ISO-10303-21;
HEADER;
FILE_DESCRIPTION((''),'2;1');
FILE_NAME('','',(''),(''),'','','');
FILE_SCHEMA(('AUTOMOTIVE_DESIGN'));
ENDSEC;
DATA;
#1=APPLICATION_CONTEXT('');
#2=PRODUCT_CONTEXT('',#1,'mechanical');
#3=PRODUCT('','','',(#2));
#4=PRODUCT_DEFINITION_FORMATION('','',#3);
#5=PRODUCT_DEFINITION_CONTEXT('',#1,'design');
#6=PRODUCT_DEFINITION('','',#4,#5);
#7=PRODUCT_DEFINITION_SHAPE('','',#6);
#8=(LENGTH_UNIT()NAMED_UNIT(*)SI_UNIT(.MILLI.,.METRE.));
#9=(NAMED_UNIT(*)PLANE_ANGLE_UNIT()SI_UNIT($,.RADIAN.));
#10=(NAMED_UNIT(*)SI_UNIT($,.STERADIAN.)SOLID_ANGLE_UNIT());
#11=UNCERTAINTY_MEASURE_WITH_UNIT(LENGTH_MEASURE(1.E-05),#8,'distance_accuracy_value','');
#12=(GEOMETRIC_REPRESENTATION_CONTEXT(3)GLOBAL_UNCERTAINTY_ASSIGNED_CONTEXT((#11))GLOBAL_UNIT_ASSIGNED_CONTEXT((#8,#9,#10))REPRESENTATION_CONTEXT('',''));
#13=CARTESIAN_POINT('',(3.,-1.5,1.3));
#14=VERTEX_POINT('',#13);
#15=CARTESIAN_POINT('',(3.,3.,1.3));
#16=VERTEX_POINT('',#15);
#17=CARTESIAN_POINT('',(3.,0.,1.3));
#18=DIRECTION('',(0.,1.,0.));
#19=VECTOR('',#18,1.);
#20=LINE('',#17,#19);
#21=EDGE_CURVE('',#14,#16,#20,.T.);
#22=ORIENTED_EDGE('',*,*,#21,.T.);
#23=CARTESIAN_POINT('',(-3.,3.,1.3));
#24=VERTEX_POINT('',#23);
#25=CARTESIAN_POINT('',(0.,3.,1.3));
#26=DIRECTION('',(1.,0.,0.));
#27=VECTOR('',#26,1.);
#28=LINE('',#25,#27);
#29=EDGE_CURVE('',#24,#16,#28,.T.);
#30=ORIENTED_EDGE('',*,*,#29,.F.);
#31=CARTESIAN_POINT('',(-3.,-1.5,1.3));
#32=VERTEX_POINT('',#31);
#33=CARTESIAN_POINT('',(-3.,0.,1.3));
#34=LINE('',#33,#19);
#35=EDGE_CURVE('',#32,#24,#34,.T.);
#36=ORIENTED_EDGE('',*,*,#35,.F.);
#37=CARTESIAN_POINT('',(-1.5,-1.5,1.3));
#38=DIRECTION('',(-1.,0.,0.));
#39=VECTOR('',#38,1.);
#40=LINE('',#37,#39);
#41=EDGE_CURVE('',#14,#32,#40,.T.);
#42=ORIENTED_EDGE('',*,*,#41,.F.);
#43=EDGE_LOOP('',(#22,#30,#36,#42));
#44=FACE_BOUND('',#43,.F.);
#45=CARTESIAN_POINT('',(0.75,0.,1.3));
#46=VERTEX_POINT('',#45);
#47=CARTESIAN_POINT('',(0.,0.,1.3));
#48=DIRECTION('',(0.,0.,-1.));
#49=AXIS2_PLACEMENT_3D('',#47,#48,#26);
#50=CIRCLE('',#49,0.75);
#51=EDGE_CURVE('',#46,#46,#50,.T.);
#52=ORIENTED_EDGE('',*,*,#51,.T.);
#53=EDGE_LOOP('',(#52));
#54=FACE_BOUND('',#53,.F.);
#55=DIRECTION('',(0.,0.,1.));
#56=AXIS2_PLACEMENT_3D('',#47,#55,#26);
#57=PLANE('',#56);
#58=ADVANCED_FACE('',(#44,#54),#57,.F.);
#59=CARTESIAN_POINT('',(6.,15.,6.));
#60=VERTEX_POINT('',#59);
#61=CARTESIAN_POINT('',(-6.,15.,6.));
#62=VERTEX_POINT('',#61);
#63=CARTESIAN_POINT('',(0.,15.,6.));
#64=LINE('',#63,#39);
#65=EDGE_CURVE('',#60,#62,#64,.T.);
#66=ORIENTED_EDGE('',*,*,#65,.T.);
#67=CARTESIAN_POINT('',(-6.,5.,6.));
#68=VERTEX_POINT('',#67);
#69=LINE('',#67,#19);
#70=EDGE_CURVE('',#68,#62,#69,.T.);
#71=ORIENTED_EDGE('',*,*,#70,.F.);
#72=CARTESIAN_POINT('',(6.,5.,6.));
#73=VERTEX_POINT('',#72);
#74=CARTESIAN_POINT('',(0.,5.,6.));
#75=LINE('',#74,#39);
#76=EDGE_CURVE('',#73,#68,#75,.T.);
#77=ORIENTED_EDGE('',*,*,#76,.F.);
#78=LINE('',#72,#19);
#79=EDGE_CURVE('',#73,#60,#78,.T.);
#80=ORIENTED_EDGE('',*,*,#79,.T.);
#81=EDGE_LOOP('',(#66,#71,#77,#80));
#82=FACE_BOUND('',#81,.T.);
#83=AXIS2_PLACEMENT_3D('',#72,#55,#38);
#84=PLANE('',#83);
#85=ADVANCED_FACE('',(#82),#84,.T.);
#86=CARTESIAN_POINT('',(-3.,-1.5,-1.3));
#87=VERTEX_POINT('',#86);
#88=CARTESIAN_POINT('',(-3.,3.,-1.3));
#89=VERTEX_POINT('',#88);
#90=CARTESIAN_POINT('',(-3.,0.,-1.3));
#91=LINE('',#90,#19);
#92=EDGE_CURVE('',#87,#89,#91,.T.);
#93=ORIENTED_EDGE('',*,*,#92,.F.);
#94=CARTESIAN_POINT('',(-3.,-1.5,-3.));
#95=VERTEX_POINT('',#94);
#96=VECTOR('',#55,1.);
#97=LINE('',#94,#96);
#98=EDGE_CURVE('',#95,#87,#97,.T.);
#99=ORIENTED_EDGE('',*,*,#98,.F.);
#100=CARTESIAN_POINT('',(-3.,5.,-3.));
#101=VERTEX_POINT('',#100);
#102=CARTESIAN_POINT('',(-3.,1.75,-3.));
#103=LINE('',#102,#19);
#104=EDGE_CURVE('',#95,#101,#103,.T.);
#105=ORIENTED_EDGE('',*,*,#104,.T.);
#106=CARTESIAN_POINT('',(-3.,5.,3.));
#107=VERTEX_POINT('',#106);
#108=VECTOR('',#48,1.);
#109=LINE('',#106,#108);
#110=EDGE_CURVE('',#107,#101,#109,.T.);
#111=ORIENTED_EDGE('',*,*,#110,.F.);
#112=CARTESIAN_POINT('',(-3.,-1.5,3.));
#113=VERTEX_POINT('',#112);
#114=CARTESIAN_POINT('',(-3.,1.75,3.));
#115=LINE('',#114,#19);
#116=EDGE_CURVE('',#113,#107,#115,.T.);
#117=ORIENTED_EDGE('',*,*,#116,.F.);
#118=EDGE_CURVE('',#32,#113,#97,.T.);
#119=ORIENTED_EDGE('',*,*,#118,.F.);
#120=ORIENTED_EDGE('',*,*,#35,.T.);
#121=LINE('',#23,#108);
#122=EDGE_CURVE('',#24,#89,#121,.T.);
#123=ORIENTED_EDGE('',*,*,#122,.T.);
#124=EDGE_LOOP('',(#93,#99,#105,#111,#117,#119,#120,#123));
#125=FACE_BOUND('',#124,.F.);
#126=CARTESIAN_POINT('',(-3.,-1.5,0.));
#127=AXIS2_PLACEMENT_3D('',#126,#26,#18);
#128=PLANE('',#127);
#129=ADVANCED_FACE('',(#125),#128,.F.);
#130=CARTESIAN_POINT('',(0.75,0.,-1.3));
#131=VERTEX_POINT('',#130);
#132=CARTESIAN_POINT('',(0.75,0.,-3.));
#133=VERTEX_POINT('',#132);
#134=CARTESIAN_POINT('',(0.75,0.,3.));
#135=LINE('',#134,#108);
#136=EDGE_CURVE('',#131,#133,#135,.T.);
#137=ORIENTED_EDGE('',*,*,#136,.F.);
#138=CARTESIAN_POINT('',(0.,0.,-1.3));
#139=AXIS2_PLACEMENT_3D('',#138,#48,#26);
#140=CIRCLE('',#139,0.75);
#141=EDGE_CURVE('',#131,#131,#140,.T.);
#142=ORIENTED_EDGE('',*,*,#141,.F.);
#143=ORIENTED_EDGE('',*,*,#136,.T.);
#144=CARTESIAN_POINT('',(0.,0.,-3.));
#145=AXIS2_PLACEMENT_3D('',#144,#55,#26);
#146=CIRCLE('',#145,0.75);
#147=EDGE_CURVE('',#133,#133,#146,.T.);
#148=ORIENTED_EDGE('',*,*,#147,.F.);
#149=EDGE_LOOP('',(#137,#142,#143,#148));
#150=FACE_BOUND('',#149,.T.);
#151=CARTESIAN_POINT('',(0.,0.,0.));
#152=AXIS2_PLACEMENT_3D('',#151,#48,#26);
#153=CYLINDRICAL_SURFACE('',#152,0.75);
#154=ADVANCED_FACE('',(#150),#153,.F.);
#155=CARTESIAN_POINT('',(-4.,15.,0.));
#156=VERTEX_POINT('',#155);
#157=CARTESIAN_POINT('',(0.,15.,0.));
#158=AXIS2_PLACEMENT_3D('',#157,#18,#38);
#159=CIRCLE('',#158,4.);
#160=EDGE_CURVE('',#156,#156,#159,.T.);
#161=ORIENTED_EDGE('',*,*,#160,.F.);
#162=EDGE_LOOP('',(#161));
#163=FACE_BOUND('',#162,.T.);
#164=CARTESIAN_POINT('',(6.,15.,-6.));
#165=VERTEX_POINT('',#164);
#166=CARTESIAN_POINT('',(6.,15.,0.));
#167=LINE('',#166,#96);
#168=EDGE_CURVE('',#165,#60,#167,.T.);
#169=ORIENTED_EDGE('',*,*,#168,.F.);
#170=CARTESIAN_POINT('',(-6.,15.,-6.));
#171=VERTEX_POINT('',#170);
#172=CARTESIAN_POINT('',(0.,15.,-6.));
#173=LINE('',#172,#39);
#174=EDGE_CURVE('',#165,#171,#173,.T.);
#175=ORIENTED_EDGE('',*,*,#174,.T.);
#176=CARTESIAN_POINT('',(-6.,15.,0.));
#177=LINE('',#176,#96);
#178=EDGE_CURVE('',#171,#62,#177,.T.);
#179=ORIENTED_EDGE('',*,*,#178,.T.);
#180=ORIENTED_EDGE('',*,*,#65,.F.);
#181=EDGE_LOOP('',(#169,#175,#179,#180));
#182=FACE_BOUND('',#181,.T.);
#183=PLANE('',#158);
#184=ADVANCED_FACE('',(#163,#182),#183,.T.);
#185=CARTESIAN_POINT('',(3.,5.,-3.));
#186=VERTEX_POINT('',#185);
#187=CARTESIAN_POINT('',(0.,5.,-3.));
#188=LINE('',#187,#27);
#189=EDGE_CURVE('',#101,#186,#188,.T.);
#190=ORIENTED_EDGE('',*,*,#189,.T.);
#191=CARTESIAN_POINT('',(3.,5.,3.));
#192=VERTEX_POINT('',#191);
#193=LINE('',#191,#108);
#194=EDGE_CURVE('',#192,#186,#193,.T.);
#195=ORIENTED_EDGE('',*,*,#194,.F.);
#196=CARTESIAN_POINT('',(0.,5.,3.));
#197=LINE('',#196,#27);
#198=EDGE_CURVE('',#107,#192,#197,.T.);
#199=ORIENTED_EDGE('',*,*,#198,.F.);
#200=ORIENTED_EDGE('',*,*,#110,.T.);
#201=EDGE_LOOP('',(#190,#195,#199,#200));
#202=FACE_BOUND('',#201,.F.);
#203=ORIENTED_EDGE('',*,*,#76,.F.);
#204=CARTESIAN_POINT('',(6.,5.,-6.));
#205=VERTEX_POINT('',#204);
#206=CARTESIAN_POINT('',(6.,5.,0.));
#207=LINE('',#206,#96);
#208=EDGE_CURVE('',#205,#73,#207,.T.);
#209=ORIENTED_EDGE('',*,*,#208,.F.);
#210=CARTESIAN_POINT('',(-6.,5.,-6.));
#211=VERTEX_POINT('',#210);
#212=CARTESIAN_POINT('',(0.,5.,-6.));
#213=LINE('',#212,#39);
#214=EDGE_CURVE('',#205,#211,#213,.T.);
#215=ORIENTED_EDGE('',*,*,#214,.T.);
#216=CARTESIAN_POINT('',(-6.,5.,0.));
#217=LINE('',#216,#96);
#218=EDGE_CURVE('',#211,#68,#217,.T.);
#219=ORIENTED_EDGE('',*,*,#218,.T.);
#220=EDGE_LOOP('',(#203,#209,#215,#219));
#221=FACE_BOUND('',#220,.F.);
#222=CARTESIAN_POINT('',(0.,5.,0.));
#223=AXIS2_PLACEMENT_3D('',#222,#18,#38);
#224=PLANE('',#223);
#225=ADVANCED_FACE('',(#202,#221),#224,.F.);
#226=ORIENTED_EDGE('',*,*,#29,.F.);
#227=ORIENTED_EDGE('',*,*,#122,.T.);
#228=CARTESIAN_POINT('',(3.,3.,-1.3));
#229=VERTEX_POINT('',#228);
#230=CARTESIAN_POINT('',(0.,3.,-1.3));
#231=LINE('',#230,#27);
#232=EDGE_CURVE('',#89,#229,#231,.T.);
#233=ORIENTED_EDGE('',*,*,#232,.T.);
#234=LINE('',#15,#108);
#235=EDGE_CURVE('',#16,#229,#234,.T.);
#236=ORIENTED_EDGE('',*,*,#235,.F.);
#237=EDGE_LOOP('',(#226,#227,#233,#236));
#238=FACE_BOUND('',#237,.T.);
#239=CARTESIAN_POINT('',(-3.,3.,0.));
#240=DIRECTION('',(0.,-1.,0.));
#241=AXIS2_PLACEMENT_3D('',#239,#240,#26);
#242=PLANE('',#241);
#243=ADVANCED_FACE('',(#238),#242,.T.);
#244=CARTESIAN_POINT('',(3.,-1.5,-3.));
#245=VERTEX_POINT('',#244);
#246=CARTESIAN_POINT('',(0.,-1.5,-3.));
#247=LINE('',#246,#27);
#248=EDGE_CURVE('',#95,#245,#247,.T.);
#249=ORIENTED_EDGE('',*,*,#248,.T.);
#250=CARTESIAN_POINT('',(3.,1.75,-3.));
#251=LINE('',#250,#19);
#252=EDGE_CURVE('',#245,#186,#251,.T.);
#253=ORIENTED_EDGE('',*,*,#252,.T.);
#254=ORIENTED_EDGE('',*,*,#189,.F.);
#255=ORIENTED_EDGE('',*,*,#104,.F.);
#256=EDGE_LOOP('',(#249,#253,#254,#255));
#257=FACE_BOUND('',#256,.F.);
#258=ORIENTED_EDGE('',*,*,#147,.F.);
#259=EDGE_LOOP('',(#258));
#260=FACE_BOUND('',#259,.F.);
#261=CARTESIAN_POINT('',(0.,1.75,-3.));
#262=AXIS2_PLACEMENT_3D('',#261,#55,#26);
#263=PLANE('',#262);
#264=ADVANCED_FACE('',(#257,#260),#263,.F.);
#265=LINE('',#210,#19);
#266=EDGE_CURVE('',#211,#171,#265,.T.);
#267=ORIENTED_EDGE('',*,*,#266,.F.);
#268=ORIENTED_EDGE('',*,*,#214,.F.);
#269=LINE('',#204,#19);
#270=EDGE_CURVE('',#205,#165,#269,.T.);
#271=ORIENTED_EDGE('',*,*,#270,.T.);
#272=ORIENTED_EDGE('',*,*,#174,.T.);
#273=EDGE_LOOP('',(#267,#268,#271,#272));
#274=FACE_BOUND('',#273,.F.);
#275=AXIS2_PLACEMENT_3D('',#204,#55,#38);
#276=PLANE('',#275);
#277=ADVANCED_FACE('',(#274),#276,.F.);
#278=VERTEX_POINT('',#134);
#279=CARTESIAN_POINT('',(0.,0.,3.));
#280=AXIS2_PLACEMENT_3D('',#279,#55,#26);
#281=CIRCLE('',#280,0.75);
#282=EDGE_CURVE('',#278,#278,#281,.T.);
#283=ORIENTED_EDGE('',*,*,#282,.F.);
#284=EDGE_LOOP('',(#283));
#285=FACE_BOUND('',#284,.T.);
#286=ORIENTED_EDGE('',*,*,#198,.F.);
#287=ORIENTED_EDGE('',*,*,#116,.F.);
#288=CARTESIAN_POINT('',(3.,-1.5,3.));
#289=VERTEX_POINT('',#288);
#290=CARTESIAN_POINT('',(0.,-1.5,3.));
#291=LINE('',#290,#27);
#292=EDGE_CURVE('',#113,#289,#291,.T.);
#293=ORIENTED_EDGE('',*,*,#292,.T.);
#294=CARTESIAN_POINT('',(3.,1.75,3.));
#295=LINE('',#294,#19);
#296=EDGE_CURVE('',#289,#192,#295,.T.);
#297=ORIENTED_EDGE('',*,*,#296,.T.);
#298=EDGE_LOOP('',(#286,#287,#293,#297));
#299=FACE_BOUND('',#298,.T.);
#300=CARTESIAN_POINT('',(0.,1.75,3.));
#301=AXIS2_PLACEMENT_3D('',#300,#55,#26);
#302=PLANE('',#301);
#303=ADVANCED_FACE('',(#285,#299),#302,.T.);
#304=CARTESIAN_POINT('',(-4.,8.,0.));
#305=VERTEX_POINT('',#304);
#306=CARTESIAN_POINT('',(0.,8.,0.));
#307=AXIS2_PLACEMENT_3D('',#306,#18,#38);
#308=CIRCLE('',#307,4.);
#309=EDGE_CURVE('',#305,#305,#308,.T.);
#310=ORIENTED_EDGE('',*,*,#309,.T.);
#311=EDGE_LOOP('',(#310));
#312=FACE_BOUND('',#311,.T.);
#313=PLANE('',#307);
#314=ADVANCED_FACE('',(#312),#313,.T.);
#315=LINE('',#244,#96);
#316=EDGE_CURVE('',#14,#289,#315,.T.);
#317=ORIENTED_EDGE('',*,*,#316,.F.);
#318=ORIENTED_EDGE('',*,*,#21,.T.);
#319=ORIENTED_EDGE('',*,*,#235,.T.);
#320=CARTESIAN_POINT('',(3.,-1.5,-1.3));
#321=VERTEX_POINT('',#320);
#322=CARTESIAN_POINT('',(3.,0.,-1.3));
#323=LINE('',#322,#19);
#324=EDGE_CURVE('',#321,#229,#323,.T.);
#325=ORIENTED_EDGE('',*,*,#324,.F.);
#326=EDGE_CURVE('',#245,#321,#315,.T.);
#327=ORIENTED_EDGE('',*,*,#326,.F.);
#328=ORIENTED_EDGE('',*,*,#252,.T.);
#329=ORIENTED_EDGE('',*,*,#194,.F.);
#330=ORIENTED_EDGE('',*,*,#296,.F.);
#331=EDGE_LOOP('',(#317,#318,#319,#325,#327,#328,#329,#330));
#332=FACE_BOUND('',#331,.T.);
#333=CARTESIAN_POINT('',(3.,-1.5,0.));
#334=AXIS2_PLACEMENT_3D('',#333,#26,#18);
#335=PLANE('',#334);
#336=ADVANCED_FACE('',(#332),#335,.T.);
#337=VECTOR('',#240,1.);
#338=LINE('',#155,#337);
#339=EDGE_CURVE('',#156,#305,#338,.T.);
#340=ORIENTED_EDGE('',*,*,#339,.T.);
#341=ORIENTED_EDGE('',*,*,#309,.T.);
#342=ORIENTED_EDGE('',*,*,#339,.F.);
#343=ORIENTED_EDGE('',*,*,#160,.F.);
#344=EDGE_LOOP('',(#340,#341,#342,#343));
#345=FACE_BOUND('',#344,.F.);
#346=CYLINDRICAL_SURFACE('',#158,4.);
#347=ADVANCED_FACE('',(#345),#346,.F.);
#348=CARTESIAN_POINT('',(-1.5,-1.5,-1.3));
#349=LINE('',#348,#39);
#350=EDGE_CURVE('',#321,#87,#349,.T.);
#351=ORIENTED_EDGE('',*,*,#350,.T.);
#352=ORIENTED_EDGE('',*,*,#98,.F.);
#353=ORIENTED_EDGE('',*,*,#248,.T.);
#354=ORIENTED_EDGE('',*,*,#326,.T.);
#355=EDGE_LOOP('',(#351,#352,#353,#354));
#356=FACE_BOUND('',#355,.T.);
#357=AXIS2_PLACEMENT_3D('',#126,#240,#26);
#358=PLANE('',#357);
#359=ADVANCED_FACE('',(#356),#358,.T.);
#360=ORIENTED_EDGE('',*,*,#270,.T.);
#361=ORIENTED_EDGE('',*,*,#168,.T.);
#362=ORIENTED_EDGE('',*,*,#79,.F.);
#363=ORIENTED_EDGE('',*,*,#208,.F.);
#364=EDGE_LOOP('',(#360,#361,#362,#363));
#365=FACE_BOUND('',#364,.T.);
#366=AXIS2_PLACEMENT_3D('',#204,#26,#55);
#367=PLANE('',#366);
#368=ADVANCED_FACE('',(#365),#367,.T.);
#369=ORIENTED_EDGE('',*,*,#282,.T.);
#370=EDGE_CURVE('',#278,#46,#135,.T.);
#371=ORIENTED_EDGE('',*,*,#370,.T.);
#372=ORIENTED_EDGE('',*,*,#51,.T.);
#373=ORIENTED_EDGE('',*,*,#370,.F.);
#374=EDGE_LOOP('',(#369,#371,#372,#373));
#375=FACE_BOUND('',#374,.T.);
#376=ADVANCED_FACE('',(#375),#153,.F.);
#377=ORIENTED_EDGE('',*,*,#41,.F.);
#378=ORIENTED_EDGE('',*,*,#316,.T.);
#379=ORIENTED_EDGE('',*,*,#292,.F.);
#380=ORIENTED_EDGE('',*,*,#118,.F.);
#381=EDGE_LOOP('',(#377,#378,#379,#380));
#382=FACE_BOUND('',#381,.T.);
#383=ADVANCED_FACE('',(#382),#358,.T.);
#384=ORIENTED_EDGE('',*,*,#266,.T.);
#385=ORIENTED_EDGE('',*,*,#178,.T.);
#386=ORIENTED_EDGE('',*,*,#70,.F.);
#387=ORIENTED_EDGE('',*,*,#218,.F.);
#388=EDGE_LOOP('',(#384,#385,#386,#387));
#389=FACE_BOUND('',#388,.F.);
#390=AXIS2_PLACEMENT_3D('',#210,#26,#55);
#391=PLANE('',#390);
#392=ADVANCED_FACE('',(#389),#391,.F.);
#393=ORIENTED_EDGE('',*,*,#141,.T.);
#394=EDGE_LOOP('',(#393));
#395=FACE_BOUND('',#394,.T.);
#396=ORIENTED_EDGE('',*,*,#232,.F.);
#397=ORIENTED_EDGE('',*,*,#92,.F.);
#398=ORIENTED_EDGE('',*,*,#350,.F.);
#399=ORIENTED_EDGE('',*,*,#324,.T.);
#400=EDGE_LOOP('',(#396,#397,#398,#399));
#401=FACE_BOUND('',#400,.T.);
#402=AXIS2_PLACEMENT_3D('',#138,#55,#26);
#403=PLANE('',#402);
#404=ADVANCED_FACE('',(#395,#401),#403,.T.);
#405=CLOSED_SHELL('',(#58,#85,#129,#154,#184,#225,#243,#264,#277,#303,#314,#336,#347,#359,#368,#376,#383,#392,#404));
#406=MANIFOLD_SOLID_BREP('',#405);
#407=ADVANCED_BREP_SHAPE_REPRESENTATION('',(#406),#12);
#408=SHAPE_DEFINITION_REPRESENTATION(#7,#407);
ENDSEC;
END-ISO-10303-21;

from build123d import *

# Parameters (mm, degrees)
F0_W     = 6
F0_H     = 6.5
F0_R     = 0.75
F1_DEPTH = 3
F2_W     = 6
F2_H     = 6
F3_DEPTH = 1.3
F4_W     = 12
F4_H     = 12
F5_DEPTH = 10
F6_R     = 4
F7_DEPTH = 7


with BuildPart() as f1:
    # F0 (on Top) → F1 (new body, symmetric)
    with BuildSketch(Plane.XY):
        with Locations((0, 1.75)):
            Rectangle(F0_W, F0_H)
        Circle(F0_R, mode=Mode.SUBTRACT)
    extrude(amount=F1_DEPTH, both=True)

    # F2 (on Top) → F3 (cut, symmetric)
    with BuildSketch(Plane.XY):
        Rectangle(F2_W, F2_H)
    extrude(amount=F3_DEPTH, both=True, mode=Mode.SUBTRACT)

    # F4 (on face) → F5 (join)
    with BuildSketch(Plane(origin=(0, 5, 0), x_dir=(-1, 0, 0), z_dir=(0, 1, 0))):
        Rectangle(F4_W, F4_H)
    extrude(amount=F5_DEPTH)

    # F6 (on face) → F7 (cut)
    with BuildSketch(Plane(origin=(0, 15, 0), x_dir=(-1, 0, 0), z_dir=(0, 1, 0))):
        Circle(F6_R)
    extrude(amount=-F7_DEPTH, mode=Mode.SUBTRACT)


solid = f1.part
